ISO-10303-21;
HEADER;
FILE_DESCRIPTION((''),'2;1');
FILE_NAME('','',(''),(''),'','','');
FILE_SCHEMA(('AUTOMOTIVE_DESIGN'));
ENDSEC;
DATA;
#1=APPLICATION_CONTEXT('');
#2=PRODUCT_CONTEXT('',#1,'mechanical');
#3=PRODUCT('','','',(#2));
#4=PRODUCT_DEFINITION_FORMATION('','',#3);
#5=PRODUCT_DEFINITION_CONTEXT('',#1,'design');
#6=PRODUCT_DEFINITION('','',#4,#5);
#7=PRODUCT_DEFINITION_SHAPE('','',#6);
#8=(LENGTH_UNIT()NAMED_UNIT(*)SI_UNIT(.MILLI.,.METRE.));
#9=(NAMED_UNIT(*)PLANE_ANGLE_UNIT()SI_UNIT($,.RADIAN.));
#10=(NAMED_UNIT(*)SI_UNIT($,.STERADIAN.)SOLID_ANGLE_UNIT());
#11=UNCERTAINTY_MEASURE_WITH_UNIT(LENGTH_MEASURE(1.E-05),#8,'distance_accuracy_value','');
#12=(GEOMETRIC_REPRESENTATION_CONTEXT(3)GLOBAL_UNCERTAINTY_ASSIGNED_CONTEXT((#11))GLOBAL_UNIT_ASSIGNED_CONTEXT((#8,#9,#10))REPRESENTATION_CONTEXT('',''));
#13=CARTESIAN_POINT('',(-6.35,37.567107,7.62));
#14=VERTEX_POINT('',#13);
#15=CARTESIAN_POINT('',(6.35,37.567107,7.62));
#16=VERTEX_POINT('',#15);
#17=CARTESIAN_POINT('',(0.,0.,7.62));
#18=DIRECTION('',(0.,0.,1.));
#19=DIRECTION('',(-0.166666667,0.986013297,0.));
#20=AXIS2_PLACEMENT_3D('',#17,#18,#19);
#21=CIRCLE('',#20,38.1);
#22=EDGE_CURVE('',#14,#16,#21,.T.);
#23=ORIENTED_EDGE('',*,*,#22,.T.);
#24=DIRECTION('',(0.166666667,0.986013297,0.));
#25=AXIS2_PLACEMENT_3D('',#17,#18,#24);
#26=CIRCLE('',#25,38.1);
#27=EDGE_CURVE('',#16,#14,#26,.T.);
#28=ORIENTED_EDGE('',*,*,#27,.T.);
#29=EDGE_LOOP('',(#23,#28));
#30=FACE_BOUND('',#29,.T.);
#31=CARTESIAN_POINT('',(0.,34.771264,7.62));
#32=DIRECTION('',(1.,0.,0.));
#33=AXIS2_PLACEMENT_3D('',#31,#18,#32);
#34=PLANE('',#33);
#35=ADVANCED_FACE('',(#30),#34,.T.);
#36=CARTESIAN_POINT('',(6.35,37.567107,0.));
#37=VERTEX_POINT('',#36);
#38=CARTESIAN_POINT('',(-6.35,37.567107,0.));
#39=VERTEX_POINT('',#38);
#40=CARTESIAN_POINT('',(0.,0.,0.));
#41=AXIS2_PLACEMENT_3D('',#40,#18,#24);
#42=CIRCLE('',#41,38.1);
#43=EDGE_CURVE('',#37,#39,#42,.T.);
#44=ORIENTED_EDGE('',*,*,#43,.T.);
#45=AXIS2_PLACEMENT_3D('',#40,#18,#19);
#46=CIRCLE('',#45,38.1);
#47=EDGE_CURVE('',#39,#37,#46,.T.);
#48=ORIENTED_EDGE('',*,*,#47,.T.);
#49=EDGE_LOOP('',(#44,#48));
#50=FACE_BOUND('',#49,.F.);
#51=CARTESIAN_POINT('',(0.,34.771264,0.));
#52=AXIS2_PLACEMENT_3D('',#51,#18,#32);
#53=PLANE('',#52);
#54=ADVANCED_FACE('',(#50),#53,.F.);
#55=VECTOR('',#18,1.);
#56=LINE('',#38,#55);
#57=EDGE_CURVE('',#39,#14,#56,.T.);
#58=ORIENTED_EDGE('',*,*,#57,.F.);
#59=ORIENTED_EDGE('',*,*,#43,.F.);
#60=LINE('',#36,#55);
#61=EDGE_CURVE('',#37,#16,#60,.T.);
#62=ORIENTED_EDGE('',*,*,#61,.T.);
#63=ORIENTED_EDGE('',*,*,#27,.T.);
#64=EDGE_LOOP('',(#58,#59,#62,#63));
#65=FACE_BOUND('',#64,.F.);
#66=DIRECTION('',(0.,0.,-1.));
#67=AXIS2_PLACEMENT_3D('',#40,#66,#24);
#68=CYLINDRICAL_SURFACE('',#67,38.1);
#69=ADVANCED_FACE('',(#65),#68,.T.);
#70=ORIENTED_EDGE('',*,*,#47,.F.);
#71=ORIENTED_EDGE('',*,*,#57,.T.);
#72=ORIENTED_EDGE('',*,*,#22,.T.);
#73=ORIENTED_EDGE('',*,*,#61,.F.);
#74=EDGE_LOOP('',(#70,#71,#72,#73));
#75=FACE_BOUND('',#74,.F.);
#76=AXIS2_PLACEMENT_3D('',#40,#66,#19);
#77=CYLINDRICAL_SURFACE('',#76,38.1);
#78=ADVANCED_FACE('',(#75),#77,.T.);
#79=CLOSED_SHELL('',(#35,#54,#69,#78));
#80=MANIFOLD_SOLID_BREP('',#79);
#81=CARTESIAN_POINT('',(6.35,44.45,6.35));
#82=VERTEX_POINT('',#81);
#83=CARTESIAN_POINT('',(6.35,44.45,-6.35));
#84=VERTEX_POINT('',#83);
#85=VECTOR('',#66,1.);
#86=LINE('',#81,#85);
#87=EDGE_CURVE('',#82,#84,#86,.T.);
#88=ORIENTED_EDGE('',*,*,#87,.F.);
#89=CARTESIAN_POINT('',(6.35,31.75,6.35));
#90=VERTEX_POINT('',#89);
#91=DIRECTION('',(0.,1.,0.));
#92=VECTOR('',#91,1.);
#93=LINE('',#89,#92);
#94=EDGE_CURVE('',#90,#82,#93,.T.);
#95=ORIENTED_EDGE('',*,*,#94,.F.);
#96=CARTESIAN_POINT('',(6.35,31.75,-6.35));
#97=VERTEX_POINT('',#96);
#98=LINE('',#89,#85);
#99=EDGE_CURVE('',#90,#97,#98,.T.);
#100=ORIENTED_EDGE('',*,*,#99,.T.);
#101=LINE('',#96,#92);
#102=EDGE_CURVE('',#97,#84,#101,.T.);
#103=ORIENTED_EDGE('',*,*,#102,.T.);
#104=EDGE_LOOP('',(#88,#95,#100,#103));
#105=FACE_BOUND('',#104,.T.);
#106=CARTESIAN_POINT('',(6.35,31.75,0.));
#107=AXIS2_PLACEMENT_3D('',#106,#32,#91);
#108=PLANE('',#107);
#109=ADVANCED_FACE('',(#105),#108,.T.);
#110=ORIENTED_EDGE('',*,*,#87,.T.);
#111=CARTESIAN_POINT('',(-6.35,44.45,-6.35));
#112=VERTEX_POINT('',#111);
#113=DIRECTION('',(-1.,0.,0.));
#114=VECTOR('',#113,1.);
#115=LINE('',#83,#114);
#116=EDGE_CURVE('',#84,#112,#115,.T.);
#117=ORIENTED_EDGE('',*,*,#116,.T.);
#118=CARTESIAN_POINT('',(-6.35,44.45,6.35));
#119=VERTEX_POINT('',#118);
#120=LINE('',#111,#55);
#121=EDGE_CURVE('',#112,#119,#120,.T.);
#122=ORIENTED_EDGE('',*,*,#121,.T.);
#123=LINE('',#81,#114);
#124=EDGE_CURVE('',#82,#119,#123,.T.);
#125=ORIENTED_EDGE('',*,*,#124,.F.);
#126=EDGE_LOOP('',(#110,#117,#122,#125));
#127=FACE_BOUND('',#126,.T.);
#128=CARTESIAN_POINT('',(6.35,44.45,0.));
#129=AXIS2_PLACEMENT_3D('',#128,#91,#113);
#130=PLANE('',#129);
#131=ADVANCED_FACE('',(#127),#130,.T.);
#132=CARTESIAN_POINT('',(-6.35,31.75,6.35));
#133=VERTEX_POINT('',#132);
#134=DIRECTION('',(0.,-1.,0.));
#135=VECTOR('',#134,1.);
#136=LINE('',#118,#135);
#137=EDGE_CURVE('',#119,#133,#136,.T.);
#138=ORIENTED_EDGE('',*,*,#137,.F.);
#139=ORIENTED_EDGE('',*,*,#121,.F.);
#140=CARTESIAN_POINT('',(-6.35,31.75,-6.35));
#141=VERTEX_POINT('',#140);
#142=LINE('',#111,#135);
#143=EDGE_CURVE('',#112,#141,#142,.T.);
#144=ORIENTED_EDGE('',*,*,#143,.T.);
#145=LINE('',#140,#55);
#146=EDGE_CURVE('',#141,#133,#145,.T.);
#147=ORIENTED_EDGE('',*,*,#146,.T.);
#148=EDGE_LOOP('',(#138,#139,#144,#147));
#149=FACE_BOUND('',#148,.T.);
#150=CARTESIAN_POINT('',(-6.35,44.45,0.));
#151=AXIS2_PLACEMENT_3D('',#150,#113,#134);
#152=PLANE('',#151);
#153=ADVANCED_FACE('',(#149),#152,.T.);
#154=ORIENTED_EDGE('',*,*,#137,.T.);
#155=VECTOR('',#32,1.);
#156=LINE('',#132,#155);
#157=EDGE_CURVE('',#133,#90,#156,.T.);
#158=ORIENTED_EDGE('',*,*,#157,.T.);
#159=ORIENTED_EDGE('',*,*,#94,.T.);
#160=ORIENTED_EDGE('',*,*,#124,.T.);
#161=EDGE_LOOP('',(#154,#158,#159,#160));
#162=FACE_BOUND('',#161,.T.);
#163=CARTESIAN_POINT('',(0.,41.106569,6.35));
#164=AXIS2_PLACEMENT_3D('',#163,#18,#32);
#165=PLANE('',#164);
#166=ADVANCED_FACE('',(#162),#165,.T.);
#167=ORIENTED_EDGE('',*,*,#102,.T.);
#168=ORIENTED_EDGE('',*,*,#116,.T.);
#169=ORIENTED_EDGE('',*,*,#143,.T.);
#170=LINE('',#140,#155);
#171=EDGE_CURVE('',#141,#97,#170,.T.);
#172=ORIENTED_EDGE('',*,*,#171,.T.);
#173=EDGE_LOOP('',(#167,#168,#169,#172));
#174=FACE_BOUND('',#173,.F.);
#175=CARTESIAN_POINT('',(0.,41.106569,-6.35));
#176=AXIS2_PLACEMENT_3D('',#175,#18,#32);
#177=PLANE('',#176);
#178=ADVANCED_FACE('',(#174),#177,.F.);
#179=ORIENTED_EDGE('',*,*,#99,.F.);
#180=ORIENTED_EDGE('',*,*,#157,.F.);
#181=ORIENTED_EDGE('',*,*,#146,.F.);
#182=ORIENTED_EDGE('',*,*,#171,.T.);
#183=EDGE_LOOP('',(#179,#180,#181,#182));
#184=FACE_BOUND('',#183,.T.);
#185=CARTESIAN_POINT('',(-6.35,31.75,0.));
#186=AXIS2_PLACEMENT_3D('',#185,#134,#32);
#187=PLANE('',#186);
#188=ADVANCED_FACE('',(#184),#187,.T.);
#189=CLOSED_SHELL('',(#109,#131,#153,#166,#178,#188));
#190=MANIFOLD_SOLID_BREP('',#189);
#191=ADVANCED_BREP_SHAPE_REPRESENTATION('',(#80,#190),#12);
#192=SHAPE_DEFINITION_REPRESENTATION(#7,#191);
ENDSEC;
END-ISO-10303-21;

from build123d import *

# Parameters (mm, degrees)
F1_DEPTH = 7.62
F2_DEPTH = 6.35


with BuildPart() as f1:
    # F0 (on Top) → F1 (new body)
    with BuildSketch(Plane.XY):
        with BuildLine():
            Line((6.35, 31.75), (6.35, 37.5671066227))
            ThreePointArc((6.35, 37.5671066227), (0, 38.1), (-6.35, 37.5671066227))
            Line((-6.35, 37.5671066227), (-6.35, 31.75))
            Line((-6.35, 31.75), (6.35, 31.75))
        make_face()
        with BuildLine():
            ThreePointArc((-6.35, 37.5671066227), (-24.5934442484, -29.099355663), (38.1, 0))
            ThreePointArc((38.1, 0), (29.099355663, 24.5934442484), (6.35, 37.5671066227))
            Line((6.35, 37.5671066227), (6.35, 31.75))
            Line((6.35, 31.75), (-6.35, 31.75))
            Line((-6.35, 31.75), (-6.35, 37.5671066227))
        make_face()
    extrude(amount=F1_DEPTH)


with BuildPart() as f2:
    # F0 (on Top) → F2 (new body, symmetric)
    with BuildSketch(Plane.XY):
        with BuildLine():
            ThreePointArc((-6.35, 37.5671066227), (0, 38.1), (6.35, 37.5671066227))
            Line((6.35, 37.5671066227), (6.35, 44.45))
            Line((6.35, 44.45), (-6.35, 44.45))
            Line((-6.35, 44.45), (-6.35, 37.5671066227))
        make_face()
        with BuildLine():
            Line((6.35, 31.75), (6.35, 37.5671066227))
            ThreePointArc((6.35, 37.5671066227), (0, 38.1), (-6.35, 37.5671066227))
            Line((-6.35, 37.5671066227), (-6.35, 31.75))
            Line((-6.35, 31.75), (6.35, 31.75))
        make_face()
    extrude(amount=F2_DEPTH, both=True)


solid = Compound([f1.part, f2.part])
